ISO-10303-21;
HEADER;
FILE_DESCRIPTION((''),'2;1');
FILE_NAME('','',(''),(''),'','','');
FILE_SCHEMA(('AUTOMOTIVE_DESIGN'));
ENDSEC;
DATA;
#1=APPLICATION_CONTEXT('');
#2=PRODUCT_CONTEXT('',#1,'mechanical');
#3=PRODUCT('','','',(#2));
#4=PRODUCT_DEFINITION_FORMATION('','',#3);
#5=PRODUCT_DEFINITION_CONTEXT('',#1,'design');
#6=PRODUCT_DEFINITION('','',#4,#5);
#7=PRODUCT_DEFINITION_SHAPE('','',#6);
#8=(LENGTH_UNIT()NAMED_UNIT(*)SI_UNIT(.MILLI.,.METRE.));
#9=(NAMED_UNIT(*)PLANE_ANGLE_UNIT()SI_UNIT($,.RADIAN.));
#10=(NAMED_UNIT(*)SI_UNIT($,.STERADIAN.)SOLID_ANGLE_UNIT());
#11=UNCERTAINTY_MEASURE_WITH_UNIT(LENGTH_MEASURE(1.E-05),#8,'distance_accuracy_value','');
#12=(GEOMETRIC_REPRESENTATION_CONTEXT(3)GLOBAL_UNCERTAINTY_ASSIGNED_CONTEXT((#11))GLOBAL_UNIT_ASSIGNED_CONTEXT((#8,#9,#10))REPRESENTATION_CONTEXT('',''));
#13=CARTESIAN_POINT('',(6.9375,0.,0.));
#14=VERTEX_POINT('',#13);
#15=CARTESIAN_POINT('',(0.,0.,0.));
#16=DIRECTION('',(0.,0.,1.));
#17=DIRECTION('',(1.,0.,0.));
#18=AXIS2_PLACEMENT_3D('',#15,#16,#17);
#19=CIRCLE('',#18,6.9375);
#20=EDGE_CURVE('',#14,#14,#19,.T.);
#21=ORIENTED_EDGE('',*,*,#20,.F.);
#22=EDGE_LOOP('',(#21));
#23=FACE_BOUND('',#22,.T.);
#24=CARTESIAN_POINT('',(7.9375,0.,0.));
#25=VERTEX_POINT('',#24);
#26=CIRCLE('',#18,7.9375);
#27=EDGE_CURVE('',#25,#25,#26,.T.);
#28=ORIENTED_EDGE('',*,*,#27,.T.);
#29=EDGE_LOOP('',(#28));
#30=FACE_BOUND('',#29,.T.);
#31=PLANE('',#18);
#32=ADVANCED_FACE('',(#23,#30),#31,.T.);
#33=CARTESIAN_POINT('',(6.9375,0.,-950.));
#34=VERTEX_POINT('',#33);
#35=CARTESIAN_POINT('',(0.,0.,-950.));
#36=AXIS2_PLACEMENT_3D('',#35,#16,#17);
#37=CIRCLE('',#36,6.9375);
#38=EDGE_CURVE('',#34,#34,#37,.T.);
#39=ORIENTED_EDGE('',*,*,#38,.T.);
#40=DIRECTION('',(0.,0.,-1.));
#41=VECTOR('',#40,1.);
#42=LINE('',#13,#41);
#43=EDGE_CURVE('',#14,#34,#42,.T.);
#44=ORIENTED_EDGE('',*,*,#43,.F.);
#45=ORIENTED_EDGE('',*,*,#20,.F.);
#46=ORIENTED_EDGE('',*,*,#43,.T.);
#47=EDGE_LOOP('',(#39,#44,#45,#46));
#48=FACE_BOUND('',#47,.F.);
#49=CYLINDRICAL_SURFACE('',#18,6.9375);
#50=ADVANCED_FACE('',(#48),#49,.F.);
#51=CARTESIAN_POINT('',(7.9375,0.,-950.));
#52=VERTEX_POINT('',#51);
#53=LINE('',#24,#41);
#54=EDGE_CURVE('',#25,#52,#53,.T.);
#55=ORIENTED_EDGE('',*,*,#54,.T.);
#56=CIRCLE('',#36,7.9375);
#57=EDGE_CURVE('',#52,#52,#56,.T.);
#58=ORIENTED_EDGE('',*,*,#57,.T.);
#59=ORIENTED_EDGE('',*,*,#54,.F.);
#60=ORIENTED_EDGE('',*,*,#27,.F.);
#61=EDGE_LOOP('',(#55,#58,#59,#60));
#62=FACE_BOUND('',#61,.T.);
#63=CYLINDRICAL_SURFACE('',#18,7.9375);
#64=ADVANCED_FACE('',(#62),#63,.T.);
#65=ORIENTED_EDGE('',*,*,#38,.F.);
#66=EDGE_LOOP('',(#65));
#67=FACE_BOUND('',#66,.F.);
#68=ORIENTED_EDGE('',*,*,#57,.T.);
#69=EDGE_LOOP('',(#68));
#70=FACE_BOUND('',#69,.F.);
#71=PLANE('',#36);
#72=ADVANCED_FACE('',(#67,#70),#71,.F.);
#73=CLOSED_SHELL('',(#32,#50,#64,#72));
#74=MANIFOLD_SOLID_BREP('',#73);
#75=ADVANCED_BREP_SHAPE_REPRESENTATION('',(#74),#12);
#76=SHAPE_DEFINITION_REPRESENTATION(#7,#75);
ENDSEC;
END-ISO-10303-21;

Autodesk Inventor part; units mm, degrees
ref_plane "YZ Plane" through (0, 0, 0) normal (1, 0, 0) x (0, 1, 0)
ref_plane "XZ Plane" through (0, 0, 0) normal (0, 1, 0) x (-1, 0, 0)
ref_plane "XY Plane" through (0, 0, 0) normal (0, 0, 1) x (1, 0, 0)
sketch "Sketch1" plane through (0, 0, 0) normal (0, 0, 1) x (1, 0, 0)
  circle A0 centre (0, 0) radius 7.9375
  circle A1 centre (0, 0) radius 6.9375
  dimension "d0" = 15.875
  dimension "d3" = 1
extrude "Extrusion1" add sketch "Sketch1" against normal blind 950
properties part number "Barra_5-8_950" material "Steel, Mild"
